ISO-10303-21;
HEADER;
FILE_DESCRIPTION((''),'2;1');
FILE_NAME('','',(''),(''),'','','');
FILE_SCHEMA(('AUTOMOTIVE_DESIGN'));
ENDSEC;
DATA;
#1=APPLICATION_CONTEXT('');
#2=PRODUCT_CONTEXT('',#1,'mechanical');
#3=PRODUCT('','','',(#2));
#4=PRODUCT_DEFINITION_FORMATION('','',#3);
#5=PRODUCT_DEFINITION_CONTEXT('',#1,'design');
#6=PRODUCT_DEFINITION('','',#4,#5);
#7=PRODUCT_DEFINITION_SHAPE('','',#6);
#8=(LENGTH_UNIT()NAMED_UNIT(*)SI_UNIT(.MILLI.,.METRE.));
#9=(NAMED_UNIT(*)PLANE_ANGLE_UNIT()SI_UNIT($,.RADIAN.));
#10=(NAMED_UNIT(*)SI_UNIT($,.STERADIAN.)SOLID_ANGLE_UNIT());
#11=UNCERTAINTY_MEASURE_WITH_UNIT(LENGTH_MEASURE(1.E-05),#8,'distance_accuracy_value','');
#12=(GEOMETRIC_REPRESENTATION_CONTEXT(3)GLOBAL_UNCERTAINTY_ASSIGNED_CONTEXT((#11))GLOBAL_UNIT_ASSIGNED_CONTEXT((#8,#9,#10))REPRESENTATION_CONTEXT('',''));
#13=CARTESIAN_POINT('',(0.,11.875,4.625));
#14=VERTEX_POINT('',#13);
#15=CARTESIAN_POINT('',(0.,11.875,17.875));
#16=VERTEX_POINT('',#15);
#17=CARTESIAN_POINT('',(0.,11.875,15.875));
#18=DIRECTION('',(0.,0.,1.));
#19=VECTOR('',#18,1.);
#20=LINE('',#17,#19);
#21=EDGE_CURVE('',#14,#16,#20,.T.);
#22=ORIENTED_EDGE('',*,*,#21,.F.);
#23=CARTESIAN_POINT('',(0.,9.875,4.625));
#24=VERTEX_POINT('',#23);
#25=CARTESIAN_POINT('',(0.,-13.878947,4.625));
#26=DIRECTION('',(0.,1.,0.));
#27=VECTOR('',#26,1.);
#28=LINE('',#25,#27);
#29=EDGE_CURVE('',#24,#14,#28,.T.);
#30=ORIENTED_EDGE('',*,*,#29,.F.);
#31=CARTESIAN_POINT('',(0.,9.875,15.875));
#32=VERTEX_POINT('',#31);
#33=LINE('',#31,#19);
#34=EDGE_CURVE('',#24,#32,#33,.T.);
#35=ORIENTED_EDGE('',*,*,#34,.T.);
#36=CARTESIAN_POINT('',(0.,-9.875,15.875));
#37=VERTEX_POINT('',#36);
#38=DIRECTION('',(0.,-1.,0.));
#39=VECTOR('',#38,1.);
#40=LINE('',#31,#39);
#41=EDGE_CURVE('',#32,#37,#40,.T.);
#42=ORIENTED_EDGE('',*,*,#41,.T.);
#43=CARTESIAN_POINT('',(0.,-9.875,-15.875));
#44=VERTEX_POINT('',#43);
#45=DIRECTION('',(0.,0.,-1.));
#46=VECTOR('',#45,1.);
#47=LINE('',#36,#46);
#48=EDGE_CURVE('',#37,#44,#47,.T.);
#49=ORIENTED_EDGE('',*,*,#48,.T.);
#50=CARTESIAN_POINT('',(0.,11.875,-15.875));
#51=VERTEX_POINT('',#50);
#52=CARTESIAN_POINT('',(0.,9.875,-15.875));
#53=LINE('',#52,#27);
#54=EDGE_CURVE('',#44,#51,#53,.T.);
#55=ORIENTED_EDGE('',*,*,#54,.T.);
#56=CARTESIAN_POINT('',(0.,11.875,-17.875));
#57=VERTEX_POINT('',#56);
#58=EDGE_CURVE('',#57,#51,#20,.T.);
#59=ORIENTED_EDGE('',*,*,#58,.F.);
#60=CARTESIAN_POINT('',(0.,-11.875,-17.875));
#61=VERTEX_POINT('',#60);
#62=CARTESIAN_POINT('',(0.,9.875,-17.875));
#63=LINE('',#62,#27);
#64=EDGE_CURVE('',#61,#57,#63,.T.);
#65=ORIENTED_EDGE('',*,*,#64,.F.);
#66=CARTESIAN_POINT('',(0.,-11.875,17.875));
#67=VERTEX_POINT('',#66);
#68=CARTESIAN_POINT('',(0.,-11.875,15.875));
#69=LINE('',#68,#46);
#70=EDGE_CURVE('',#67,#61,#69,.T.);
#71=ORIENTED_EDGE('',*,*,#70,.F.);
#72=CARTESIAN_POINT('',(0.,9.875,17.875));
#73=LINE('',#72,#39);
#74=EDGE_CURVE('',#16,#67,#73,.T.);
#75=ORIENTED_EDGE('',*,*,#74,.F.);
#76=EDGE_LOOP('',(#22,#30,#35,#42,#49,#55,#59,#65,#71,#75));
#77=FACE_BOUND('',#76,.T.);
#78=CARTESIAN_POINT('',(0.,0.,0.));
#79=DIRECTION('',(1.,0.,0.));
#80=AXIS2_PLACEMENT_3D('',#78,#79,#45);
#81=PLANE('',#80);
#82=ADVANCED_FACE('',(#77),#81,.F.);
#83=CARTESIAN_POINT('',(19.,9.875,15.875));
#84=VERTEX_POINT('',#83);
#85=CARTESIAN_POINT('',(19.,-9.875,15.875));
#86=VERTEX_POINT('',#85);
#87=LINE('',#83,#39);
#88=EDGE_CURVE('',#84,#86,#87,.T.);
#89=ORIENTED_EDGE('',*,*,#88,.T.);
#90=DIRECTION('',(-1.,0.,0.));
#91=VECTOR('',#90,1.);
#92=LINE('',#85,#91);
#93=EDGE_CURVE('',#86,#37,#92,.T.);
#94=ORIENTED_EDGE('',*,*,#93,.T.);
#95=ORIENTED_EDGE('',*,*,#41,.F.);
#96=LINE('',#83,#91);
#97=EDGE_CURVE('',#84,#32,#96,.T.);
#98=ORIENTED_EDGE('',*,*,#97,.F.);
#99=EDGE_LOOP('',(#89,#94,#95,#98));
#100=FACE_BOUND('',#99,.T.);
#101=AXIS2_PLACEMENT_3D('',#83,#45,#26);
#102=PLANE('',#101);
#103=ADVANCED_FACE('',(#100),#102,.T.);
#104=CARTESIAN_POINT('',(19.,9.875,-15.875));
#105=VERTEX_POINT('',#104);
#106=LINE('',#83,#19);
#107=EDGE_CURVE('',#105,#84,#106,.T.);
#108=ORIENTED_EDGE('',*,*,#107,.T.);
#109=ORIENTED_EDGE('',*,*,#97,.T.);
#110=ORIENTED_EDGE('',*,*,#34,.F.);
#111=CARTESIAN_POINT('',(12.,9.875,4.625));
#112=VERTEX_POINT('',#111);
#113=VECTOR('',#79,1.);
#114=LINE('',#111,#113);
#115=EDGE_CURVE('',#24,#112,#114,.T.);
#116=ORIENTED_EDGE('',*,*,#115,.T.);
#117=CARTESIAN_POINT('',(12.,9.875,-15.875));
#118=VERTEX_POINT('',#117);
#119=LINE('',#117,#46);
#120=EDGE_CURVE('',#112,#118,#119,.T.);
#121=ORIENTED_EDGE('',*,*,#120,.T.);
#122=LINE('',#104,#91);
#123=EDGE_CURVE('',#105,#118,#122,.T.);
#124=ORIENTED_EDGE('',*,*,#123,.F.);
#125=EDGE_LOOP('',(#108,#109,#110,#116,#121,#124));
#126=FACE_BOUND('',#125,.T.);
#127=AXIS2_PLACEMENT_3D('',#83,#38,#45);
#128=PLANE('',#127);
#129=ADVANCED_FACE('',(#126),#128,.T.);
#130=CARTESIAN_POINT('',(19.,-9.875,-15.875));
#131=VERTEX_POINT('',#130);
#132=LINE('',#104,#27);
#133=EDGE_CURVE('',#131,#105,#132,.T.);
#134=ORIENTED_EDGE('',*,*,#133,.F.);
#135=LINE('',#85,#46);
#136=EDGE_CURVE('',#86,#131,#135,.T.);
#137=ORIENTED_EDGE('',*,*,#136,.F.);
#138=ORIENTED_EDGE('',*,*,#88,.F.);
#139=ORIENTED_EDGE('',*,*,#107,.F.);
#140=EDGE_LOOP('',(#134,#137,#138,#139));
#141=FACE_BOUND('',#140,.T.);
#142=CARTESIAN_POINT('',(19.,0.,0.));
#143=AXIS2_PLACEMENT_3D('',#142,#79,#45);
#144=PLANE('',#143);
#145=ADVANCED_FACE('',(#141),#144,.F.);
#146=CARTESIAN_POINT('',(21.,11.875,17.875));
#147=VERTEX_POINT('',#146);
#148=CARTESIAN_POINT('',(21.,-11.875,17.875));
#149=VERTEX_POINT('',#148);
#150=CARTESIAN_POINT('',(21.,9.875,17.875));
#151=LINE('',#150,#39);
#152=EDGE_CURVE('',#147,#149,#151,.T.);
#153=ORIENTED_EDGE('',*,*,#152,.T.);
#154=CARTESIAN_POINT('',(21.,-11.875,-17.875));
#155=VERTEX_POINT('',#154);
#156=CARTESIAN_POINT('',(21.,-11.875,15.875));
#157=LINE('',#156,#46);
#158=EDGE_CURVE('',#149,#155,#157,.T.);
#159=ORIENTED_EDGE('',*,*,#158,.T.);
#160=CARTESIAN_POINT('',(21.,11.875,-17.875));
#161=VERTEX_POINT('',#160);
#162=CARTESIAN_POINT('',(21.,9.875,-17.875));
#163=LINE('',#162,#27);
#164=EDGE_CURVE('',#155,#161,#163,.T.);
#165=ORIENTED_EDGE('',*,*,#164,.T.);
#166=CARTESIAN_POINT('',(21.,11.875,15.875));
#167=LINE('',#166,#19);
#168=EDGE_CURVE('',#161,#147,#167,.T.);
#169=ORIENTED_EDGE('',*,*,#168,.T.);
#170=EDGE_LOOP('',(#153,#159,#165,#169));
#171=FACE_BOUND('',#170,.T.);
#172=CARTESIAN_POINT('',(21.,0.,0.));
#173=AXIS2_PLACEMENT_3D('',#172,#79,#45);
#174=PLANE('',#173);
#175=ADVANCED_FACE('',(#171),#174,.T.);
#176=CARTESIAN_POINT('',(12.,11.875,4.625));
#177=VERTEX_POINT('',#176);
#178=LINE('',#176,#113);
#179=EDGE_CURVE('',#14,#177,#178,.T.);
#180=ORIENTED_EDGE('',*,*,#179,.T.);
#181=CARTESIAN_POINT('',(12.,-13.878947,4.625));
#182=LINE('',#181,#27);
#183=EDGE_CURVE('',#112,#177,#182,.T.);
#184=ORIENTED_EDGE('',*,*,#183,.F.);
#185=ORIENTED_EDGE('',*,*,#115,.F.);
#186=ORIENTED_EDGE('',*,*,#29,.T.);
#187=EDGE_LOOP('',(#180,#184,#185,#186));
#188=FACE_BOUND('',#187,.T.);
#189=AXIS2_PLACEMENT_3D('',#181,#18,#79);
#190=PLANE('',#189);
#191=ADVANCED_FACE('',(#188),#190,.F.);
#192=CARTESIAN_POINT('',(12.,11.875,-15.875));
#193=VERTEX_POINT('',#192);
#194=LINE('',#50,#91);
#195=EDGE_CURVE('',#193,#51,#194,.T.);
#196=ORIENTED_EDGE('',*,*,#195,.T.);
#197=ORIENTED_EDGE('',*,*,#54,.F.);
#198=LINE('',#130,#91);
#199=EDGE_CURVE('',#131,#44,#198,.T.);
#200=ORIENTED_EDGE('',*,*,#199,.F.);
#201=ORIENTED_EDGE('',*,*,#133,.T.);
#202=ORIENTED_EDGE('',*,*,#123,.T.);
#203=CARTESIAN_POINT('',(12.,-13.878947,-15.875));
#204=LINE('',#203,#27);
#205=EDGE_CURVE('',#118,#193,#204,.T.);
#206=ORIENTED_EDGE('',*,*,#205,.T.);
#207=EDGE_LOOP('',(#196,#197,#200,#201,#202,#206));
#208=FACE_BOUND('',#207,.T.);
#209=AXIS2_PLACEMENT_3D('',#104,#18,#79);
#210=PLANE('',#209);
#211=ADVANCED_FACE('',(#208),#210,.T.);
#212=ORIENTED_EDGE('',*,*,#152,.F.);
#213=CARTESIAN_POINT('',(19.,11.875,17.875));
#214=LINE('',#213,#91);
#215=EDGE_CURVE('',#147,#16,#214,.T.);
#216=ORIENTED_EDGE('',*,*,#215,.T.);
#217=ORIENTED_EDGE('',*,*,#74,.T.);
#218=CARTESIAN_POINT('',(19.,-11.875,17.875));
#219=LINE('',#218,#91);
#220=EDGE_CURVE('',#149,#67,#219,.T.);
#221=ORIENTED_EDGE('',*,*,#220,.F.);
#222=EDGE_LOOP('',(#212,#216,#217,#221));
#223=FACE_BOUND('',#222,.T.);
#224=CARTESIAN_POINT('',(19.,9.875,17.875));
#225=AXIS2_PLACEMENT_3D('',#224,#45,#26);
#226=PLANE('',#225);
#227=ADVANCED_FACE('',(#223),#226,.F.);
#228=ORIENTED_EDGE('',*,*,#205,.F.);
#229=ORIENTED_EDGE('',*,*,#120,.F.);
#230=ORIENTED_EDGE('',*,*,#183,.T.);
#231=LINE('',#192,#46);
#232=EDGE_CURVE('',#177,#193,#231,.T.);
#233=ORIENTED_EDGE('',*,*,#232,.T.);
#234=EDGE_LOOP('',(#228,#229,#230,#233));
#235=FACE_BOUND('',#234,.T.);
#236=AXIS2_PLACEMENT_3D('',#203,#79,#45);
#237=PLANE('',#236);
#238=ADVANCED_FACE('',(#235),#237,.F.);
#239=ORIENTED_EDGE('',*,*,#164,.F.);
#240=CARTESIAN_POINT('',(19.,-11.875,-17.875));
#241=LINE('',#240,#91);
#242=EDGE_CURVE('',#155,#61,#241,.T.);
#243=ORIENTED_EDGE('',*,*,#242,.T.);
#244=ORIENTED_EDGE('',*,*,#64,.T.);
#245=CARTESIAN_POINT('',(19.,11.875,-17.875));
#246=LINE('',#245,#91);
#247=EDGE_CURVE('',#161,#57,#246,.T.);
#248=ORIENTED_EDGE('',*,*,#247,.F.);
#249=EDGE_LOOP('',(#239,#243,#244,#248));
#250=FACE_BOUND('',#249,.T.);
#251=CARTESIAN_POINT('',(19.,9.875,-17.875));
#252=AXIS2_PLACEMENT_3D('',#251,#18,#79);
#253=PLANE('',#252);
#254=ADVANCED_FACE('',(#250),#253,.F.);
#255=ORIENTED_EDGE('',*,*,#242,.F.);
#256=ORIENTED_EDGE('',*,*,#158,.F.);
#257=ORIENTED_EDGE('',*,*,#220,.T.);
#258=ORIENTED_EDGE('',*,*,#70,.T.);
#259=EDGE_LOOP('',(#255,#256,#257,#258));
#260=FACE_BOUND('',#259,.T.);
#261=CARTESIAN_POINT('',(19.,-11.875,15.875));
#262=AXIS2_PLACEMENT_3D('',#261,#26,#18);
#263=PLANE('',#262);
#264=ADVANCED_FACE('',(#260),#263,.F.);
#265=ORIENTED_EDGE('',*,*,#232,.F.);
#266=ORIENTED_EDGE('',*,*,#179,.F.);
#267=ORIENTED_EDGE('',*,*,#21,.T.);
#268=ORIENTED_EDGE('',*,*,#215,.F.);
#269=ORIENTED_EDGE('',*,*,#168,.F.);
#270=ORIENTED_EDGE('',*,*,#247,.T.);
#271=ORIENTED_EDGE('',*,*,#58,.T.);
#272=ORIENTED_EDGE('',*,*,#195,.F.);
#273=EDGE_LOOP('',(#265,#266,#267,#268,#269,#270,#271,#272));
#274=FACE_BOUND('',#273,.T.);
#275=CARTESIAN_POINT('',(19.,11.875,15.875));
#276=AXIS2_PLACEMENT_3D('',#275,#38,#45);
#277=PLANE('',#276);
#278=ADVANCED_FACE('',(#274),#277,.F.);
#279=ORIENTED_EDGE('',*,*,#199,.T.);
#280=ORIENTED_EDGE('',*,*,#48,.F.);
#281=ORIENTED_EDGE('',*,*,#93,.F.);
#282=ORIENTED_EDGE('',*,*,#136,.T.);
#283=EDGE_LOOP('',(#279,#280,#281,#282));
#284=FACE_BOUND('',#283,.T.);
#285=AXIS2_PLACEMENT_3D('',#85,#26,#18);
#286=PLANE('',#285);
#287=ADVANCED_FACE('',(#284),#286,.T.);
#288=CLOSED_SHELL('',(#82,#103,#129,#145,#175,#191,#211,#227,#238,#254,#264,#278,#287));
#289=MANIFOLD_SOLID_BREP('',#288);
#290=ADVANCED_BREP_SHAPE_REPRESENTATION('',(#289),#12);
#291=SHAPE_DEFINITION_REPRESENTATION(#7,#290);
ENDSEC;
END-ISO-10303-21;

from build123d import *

# Parameters (mm, degrees)
SKETCH4_W           = 31.75
SKETCH4_H           = 19.75
BOSS_EXTRUDE1_DEPTH = 19
SHELL1_T            = 2
SKETCH5_W           = 12
SKETCH5_H           = 20.5
CUT_EXTRUDE1_DEPTH  = 2


with BuildPart() as part:
    # Sketch4 → Boss-Extrude1 (new body)
    with BuildSketch(Plane(origin=(0, 0, 0), x_dir=(0, 0, -1), z_dir=(1, 0, 0))):
        Rectangle(SKETCH4_W, SKETCH4_H)
    extrude(amount=BOSS_EXTRUDE1_DEPTH)

    # Shell1
    shell1_openings = [part.faces().sort_by_distance(p)[0] for p in [
        (0, 0, 0),
    ]]
    offset(amount=SHELL1_T, openings=shell1_openings, kind=Kind.INTERSECTION)

    # Sketch5 → Cut-Extrude1 (cut)
    with BuildSketch(Plane(origin=(0, 11.875, 0), x_dir=(1, 0, 0), z_dir=(0, 1, 0))):
        with Locations((6, 5.625)):
            Rectangle(SKETCH5_W, SKETCH5_H)
    extrude(amount=-CUT_EXTRUDE1_DEPTH, mode=Mode.SUBTRACT)


solid = part.part
